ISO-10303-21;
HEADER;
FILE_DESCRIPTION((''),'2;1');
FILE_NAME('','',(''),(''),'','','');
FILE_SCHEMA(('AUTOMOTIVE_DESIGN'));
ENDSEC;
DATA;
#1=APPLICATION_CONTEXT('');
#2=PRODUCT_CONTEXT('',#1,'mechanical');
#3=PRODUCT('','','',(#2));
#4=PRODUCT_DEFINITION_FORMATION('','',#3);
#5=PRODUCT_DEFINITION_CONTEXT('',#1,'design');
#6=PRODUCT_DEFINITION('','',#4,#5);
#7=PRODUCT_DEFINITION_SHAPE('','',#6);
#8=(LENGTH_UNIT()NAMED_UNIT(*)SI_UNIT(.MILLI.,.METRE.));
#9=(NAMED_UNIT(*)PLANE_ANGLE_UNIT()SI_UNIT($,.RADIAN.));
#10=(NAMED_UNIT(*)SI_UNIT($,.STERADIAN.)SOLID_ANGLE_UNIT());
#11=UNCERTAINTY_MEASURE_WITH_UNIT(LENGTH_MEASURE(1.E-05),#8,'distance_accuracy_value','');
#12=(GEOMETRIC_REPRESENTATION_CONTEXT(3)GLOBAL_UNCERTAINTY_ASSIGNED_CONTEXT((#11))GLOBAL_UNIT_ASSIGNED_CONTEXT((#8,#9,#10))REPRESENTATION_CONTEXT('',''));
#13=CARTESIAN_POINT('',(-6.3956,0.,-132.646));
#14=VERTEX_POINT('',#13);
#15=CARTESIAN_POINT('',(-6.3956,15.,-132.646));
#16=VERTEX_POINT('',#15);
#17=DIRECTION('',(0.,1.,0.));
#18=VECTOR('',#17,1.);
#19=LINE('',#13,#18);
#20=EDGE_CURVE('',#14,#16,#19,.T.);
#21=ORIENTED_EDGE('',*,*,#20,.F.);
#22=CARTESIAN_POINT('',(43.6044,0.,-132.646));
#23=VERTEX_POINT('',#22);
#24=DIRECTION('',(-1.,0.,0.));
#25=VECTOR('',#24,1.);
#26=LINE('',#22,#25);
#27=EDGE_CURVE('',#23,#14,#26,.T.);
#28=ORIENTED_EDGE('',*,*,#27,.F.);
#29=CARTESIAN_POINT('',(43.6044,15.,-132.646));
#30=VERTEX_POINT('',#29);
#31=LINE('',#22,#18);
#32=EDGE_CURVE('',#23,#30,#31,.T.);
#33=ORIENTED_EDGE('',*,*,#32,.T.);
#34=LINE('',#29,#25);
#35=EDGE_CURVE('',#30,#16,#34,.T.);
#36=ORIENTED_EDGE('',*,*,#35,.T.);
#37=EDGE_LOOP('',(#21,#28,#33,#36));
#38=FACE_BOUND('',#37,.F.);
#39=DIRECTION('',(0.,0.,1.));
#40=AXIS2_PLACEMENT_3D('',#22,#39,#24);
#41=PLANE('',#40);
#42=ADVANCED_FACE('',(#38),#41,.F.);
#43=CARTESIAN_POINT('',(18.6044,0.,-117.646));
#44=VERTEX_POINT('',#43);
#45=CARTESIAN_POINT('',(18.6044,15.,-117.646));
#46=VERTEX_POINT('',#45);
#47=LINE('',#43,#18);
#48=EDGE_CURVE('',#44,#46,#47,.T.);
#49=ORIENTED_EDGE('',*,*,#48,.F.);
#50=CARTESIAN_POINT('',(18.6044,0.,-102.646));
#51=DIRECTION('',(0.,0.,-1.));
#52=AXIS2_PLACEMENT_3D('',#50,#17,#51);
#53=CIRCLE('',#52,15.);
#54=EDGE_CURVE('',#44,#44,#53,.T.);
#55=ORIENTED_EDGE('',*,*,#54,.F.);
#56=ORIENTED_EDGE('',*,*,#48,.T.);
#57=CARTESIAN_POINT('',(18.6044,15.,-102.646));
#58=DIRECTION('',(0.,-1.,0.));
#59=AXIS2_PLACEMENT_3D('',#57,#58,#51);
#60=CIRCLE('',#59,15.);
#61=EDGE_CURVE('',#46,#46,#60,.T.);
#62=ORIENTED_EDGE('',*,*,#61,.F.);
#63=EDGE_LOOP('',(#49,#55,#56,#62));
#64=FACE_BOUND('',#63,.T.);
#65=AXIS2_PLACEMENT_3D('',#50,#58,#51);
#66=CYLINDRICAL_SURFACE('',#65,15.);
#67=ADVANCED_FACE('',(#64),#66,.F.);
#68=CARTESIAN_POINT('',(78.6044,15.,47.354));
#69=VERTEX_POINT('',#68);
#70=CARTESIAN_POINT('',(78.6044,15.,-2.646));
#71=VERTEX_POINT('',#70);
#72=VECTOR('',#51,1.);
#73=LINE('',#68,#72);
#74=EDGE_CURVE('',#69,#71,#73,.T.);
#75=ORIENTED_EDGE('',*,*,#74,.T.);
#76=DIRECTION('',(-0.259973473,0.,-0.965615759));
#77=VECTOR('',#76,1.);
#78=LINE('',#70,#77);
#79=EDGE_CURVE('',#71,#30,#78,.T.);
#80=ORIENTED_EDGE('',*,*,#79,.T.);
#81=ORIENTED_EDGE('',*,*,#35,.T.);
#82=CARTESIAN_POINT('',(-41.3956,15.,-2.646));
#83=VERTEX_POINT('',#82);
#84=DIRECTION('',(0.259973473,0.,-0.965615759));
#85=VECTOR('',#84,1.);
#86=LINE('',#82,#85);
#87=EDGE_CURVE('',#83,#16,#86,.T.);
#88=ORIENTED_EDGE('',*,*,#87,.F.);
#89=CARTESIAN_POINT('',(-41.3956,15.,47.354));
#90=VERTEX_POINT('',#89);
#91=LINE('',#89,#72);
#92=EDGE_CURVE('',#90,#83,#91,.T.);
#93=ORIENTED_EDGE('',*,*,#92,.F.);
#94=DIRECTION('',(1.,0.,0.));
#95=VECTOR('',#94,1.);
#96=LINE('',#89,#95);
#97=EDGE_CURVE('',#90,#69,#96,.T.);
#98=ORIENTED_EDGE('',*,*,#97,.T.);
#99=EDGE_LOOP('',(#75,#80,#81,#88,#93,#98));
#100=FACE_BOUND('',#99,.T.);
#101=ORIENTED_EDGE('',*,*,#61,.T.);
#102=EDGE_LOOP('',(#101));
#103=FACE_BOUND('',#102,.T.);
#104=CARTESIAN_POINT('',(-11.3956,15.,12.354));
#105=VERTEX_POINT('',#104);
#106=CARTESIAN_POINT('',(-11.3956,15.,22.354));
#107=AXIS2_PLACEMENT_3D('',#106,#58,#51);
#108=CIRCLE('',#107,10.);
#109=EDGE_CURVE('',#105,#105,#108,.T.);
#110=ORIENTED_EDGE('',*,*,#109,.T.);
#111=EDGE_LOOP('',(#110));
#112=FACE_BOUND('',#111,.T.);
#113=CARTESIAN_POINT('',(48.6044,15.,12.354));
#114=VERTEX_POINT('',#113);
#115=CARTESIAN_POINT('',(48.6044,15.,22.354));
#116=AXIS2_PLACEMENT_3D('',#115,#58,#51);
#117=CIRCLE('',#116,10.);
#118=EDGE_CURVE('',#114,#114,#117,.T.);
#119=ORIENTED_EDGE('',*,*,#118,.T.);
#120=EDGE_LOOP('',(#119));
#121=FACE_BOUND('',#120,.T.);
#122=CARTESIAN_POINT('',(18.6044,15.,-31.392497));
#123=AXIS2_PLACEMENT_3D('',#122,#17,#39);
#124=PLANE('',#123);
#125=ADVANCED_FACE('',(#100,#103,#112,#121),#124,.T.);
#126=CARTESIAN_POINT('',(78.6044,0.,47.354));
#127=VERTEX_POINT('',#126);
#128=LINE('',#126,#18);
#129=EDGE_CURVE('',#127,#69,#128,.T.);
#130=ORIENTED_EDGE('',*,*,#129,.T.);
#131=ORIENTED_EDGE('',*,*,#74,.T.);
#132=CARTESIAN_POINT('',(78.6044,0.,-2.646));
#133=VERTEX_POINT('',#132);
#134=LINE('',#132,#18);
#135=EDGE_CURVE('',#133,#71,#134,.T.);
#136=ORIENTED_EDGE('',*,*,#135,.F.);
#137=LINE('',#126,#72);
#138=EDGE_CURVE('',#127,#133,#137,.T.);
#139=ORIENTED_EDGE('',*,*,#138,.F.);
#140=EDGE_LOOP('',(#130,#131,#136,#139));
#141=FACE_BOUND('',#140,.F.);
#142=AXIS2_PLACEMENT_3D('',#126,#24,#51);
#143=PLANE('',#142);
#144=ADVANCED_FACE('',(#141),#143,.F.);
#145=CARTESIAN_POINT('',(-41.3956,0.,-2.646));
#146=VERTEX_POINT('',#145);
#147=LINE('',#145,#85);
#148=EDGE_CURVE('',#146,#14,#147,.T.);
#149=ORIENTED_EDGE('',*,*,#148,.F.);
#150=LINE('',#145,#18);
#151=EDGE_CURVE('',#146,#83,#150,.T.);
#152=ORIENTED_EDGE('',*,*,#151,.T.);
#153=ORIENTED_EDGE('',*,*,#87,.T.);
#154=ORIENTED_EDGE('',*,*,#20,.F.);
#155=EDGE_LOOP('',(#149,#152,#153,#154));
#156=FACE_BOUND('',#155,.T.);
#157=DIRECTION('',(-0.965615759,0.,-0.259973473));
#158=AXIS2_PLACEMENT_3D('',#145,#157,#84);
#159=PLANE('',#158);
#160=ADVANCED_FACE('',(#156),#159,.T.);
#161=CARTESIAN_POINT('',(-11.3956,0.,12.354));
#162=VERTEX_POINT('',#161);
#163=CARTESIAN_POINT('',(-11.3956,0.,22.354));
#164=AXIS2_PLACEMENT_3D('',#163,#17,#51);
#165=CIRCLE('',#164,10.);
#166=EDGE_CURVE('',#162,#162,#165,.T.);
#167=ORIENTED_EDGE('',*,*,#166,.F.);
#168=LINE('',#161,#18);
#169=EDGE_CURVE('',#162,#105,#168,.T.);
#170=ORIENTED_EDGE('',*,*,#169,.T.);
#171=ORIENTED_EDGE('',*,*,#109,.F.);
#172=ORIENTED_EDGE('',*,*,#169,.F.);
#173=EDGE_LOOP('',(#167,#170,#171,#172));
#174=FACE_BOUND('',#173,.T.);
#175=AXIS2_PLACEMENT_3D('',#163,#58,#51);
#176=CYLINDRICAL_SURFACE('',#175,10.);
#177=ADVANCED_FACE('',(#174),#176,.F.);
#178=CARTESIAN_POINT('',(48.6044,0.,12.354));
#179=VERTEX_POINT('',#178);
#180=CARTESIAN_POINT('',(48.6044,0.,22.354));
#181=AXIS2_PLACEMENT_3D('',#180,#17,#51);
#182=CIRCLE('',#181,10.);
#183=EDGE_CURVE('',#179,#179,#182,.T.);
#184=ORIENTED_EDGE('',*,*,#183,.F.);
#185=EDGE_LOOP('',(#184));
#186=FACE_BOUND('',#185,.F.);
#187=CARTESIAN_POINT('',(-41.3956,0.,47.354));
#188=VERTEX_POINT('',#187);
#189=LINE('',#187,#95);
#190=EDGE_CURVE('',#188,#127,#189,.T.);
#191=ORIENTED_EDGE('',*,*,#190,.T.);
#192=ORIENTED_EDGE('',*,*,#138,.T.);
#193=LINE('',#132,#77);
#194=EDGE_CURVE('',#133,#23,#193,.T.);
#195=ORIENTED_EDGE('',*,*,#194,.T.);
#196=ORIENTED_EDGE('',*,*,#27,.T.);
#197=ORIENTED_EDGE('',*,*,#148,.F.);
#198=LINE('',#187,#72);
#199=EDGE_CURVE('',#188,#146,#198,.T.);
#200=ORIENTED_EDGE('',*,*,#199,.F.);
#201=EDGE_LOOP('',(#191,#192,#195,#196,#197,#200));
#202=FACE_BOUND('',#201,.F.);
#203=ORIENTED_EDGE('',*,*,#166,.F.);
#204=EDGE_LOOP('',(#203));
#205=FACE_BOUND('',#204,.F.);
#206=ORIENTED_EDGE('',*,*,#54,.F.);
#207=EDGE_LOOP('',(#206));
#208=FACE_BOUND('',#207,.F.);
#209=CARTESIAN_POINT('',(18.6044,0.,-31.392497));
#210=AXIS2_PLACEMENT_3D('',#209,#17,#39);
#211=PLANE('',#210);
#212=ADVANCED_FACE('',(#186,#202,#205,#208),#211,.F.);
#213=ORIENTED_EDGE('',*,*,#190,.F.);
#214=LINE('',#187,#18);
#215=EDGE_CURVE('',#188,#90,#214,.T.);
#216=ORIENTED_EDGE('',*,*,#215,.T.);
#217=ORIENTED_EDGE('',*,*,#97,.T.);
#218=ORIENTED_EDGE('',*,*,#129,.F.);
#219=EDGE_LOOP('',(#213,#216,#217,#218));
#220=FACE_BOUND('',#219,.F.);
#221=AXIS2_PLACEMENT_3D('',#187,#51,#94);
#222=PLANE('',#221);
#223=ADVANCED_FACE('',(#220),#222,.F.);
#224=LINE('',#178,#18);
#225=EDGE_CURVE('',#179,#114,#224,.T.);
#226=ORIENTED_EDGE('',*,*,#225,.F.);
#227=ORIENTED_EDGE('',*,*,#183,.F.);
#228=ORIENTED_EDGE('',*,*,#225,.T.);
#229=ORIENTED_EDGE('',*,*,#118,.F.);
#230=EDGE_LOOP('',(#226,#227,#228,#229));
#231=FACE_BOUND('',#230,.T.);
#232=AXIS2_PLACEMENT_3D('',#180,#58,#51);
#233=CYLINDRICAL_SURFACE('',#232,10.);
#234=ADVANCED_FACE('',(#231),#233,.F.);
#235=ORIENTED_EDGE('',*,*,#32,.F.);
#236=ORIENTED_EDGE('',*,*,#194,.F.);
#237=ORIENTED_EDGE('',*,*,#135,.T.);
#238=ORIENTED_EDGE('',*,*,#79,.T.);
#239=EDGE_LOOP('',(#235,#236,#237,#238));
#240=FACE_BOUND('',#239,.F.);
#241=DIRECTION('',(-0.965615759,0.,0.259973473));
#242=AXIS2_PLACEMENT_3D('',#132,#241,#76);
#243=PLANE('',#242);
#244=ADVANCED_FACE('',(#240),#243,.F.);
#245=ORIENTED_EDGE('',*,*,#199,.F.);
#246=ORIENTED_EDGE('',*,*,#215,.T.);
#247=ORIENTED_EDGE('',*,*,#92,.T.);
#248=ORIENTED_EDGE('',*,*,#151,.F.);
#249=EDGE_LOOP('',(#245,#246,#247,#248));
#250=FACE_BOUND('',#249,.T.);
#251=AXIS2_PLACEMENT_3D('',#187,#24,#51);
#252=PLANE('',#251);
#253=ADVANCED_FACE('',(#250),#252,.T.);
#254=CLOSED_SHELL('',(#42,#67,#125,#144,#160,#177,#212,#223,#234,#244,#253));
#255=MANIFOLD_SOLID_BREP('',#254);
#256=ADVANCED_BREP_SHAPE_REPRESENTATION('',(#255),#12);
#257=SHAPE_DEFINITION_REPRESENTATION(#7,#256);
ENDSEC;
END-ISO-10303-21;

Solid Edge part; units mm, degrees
sketch "Sketch1" plane through (0, 0, 0) normal (0, -1, 0) x (1, 0, 0)
  line L0 (-41.3956, 47.354) -> (78.6044, 47.354)
  line L1 (78.6044, 47.354) -> (78.6044, -2.646)
  line L2 (78.6044, -2.646) -> (43.6044, -132.646)
  line L3 (43.6044, -132.646) -> (-6.3956, -132.646)
  line L4 (-41.3956, -2.646) -> (-6.3956, -132.646)
  line L5 (-41.3956, 47.354) -> (-41.3956, -2.646)
extrude "Protrusion1" add sketch "Sketch1" against normal blind 15
hole "Hole1" at (18.6044, 0, -102.646) direction (0, 1, 0) diameter 30 end up to next
hole "Hole_2" at (48.6044, 0, 22.354) direction (0, 1, 0) diameter 20 end up to next
hole "Hole_3" at (-11.3956, 0, 22.354) direction (0, 1, 0) diameter 20 end up to next
properties part number "SP-2070" material "Steel"
